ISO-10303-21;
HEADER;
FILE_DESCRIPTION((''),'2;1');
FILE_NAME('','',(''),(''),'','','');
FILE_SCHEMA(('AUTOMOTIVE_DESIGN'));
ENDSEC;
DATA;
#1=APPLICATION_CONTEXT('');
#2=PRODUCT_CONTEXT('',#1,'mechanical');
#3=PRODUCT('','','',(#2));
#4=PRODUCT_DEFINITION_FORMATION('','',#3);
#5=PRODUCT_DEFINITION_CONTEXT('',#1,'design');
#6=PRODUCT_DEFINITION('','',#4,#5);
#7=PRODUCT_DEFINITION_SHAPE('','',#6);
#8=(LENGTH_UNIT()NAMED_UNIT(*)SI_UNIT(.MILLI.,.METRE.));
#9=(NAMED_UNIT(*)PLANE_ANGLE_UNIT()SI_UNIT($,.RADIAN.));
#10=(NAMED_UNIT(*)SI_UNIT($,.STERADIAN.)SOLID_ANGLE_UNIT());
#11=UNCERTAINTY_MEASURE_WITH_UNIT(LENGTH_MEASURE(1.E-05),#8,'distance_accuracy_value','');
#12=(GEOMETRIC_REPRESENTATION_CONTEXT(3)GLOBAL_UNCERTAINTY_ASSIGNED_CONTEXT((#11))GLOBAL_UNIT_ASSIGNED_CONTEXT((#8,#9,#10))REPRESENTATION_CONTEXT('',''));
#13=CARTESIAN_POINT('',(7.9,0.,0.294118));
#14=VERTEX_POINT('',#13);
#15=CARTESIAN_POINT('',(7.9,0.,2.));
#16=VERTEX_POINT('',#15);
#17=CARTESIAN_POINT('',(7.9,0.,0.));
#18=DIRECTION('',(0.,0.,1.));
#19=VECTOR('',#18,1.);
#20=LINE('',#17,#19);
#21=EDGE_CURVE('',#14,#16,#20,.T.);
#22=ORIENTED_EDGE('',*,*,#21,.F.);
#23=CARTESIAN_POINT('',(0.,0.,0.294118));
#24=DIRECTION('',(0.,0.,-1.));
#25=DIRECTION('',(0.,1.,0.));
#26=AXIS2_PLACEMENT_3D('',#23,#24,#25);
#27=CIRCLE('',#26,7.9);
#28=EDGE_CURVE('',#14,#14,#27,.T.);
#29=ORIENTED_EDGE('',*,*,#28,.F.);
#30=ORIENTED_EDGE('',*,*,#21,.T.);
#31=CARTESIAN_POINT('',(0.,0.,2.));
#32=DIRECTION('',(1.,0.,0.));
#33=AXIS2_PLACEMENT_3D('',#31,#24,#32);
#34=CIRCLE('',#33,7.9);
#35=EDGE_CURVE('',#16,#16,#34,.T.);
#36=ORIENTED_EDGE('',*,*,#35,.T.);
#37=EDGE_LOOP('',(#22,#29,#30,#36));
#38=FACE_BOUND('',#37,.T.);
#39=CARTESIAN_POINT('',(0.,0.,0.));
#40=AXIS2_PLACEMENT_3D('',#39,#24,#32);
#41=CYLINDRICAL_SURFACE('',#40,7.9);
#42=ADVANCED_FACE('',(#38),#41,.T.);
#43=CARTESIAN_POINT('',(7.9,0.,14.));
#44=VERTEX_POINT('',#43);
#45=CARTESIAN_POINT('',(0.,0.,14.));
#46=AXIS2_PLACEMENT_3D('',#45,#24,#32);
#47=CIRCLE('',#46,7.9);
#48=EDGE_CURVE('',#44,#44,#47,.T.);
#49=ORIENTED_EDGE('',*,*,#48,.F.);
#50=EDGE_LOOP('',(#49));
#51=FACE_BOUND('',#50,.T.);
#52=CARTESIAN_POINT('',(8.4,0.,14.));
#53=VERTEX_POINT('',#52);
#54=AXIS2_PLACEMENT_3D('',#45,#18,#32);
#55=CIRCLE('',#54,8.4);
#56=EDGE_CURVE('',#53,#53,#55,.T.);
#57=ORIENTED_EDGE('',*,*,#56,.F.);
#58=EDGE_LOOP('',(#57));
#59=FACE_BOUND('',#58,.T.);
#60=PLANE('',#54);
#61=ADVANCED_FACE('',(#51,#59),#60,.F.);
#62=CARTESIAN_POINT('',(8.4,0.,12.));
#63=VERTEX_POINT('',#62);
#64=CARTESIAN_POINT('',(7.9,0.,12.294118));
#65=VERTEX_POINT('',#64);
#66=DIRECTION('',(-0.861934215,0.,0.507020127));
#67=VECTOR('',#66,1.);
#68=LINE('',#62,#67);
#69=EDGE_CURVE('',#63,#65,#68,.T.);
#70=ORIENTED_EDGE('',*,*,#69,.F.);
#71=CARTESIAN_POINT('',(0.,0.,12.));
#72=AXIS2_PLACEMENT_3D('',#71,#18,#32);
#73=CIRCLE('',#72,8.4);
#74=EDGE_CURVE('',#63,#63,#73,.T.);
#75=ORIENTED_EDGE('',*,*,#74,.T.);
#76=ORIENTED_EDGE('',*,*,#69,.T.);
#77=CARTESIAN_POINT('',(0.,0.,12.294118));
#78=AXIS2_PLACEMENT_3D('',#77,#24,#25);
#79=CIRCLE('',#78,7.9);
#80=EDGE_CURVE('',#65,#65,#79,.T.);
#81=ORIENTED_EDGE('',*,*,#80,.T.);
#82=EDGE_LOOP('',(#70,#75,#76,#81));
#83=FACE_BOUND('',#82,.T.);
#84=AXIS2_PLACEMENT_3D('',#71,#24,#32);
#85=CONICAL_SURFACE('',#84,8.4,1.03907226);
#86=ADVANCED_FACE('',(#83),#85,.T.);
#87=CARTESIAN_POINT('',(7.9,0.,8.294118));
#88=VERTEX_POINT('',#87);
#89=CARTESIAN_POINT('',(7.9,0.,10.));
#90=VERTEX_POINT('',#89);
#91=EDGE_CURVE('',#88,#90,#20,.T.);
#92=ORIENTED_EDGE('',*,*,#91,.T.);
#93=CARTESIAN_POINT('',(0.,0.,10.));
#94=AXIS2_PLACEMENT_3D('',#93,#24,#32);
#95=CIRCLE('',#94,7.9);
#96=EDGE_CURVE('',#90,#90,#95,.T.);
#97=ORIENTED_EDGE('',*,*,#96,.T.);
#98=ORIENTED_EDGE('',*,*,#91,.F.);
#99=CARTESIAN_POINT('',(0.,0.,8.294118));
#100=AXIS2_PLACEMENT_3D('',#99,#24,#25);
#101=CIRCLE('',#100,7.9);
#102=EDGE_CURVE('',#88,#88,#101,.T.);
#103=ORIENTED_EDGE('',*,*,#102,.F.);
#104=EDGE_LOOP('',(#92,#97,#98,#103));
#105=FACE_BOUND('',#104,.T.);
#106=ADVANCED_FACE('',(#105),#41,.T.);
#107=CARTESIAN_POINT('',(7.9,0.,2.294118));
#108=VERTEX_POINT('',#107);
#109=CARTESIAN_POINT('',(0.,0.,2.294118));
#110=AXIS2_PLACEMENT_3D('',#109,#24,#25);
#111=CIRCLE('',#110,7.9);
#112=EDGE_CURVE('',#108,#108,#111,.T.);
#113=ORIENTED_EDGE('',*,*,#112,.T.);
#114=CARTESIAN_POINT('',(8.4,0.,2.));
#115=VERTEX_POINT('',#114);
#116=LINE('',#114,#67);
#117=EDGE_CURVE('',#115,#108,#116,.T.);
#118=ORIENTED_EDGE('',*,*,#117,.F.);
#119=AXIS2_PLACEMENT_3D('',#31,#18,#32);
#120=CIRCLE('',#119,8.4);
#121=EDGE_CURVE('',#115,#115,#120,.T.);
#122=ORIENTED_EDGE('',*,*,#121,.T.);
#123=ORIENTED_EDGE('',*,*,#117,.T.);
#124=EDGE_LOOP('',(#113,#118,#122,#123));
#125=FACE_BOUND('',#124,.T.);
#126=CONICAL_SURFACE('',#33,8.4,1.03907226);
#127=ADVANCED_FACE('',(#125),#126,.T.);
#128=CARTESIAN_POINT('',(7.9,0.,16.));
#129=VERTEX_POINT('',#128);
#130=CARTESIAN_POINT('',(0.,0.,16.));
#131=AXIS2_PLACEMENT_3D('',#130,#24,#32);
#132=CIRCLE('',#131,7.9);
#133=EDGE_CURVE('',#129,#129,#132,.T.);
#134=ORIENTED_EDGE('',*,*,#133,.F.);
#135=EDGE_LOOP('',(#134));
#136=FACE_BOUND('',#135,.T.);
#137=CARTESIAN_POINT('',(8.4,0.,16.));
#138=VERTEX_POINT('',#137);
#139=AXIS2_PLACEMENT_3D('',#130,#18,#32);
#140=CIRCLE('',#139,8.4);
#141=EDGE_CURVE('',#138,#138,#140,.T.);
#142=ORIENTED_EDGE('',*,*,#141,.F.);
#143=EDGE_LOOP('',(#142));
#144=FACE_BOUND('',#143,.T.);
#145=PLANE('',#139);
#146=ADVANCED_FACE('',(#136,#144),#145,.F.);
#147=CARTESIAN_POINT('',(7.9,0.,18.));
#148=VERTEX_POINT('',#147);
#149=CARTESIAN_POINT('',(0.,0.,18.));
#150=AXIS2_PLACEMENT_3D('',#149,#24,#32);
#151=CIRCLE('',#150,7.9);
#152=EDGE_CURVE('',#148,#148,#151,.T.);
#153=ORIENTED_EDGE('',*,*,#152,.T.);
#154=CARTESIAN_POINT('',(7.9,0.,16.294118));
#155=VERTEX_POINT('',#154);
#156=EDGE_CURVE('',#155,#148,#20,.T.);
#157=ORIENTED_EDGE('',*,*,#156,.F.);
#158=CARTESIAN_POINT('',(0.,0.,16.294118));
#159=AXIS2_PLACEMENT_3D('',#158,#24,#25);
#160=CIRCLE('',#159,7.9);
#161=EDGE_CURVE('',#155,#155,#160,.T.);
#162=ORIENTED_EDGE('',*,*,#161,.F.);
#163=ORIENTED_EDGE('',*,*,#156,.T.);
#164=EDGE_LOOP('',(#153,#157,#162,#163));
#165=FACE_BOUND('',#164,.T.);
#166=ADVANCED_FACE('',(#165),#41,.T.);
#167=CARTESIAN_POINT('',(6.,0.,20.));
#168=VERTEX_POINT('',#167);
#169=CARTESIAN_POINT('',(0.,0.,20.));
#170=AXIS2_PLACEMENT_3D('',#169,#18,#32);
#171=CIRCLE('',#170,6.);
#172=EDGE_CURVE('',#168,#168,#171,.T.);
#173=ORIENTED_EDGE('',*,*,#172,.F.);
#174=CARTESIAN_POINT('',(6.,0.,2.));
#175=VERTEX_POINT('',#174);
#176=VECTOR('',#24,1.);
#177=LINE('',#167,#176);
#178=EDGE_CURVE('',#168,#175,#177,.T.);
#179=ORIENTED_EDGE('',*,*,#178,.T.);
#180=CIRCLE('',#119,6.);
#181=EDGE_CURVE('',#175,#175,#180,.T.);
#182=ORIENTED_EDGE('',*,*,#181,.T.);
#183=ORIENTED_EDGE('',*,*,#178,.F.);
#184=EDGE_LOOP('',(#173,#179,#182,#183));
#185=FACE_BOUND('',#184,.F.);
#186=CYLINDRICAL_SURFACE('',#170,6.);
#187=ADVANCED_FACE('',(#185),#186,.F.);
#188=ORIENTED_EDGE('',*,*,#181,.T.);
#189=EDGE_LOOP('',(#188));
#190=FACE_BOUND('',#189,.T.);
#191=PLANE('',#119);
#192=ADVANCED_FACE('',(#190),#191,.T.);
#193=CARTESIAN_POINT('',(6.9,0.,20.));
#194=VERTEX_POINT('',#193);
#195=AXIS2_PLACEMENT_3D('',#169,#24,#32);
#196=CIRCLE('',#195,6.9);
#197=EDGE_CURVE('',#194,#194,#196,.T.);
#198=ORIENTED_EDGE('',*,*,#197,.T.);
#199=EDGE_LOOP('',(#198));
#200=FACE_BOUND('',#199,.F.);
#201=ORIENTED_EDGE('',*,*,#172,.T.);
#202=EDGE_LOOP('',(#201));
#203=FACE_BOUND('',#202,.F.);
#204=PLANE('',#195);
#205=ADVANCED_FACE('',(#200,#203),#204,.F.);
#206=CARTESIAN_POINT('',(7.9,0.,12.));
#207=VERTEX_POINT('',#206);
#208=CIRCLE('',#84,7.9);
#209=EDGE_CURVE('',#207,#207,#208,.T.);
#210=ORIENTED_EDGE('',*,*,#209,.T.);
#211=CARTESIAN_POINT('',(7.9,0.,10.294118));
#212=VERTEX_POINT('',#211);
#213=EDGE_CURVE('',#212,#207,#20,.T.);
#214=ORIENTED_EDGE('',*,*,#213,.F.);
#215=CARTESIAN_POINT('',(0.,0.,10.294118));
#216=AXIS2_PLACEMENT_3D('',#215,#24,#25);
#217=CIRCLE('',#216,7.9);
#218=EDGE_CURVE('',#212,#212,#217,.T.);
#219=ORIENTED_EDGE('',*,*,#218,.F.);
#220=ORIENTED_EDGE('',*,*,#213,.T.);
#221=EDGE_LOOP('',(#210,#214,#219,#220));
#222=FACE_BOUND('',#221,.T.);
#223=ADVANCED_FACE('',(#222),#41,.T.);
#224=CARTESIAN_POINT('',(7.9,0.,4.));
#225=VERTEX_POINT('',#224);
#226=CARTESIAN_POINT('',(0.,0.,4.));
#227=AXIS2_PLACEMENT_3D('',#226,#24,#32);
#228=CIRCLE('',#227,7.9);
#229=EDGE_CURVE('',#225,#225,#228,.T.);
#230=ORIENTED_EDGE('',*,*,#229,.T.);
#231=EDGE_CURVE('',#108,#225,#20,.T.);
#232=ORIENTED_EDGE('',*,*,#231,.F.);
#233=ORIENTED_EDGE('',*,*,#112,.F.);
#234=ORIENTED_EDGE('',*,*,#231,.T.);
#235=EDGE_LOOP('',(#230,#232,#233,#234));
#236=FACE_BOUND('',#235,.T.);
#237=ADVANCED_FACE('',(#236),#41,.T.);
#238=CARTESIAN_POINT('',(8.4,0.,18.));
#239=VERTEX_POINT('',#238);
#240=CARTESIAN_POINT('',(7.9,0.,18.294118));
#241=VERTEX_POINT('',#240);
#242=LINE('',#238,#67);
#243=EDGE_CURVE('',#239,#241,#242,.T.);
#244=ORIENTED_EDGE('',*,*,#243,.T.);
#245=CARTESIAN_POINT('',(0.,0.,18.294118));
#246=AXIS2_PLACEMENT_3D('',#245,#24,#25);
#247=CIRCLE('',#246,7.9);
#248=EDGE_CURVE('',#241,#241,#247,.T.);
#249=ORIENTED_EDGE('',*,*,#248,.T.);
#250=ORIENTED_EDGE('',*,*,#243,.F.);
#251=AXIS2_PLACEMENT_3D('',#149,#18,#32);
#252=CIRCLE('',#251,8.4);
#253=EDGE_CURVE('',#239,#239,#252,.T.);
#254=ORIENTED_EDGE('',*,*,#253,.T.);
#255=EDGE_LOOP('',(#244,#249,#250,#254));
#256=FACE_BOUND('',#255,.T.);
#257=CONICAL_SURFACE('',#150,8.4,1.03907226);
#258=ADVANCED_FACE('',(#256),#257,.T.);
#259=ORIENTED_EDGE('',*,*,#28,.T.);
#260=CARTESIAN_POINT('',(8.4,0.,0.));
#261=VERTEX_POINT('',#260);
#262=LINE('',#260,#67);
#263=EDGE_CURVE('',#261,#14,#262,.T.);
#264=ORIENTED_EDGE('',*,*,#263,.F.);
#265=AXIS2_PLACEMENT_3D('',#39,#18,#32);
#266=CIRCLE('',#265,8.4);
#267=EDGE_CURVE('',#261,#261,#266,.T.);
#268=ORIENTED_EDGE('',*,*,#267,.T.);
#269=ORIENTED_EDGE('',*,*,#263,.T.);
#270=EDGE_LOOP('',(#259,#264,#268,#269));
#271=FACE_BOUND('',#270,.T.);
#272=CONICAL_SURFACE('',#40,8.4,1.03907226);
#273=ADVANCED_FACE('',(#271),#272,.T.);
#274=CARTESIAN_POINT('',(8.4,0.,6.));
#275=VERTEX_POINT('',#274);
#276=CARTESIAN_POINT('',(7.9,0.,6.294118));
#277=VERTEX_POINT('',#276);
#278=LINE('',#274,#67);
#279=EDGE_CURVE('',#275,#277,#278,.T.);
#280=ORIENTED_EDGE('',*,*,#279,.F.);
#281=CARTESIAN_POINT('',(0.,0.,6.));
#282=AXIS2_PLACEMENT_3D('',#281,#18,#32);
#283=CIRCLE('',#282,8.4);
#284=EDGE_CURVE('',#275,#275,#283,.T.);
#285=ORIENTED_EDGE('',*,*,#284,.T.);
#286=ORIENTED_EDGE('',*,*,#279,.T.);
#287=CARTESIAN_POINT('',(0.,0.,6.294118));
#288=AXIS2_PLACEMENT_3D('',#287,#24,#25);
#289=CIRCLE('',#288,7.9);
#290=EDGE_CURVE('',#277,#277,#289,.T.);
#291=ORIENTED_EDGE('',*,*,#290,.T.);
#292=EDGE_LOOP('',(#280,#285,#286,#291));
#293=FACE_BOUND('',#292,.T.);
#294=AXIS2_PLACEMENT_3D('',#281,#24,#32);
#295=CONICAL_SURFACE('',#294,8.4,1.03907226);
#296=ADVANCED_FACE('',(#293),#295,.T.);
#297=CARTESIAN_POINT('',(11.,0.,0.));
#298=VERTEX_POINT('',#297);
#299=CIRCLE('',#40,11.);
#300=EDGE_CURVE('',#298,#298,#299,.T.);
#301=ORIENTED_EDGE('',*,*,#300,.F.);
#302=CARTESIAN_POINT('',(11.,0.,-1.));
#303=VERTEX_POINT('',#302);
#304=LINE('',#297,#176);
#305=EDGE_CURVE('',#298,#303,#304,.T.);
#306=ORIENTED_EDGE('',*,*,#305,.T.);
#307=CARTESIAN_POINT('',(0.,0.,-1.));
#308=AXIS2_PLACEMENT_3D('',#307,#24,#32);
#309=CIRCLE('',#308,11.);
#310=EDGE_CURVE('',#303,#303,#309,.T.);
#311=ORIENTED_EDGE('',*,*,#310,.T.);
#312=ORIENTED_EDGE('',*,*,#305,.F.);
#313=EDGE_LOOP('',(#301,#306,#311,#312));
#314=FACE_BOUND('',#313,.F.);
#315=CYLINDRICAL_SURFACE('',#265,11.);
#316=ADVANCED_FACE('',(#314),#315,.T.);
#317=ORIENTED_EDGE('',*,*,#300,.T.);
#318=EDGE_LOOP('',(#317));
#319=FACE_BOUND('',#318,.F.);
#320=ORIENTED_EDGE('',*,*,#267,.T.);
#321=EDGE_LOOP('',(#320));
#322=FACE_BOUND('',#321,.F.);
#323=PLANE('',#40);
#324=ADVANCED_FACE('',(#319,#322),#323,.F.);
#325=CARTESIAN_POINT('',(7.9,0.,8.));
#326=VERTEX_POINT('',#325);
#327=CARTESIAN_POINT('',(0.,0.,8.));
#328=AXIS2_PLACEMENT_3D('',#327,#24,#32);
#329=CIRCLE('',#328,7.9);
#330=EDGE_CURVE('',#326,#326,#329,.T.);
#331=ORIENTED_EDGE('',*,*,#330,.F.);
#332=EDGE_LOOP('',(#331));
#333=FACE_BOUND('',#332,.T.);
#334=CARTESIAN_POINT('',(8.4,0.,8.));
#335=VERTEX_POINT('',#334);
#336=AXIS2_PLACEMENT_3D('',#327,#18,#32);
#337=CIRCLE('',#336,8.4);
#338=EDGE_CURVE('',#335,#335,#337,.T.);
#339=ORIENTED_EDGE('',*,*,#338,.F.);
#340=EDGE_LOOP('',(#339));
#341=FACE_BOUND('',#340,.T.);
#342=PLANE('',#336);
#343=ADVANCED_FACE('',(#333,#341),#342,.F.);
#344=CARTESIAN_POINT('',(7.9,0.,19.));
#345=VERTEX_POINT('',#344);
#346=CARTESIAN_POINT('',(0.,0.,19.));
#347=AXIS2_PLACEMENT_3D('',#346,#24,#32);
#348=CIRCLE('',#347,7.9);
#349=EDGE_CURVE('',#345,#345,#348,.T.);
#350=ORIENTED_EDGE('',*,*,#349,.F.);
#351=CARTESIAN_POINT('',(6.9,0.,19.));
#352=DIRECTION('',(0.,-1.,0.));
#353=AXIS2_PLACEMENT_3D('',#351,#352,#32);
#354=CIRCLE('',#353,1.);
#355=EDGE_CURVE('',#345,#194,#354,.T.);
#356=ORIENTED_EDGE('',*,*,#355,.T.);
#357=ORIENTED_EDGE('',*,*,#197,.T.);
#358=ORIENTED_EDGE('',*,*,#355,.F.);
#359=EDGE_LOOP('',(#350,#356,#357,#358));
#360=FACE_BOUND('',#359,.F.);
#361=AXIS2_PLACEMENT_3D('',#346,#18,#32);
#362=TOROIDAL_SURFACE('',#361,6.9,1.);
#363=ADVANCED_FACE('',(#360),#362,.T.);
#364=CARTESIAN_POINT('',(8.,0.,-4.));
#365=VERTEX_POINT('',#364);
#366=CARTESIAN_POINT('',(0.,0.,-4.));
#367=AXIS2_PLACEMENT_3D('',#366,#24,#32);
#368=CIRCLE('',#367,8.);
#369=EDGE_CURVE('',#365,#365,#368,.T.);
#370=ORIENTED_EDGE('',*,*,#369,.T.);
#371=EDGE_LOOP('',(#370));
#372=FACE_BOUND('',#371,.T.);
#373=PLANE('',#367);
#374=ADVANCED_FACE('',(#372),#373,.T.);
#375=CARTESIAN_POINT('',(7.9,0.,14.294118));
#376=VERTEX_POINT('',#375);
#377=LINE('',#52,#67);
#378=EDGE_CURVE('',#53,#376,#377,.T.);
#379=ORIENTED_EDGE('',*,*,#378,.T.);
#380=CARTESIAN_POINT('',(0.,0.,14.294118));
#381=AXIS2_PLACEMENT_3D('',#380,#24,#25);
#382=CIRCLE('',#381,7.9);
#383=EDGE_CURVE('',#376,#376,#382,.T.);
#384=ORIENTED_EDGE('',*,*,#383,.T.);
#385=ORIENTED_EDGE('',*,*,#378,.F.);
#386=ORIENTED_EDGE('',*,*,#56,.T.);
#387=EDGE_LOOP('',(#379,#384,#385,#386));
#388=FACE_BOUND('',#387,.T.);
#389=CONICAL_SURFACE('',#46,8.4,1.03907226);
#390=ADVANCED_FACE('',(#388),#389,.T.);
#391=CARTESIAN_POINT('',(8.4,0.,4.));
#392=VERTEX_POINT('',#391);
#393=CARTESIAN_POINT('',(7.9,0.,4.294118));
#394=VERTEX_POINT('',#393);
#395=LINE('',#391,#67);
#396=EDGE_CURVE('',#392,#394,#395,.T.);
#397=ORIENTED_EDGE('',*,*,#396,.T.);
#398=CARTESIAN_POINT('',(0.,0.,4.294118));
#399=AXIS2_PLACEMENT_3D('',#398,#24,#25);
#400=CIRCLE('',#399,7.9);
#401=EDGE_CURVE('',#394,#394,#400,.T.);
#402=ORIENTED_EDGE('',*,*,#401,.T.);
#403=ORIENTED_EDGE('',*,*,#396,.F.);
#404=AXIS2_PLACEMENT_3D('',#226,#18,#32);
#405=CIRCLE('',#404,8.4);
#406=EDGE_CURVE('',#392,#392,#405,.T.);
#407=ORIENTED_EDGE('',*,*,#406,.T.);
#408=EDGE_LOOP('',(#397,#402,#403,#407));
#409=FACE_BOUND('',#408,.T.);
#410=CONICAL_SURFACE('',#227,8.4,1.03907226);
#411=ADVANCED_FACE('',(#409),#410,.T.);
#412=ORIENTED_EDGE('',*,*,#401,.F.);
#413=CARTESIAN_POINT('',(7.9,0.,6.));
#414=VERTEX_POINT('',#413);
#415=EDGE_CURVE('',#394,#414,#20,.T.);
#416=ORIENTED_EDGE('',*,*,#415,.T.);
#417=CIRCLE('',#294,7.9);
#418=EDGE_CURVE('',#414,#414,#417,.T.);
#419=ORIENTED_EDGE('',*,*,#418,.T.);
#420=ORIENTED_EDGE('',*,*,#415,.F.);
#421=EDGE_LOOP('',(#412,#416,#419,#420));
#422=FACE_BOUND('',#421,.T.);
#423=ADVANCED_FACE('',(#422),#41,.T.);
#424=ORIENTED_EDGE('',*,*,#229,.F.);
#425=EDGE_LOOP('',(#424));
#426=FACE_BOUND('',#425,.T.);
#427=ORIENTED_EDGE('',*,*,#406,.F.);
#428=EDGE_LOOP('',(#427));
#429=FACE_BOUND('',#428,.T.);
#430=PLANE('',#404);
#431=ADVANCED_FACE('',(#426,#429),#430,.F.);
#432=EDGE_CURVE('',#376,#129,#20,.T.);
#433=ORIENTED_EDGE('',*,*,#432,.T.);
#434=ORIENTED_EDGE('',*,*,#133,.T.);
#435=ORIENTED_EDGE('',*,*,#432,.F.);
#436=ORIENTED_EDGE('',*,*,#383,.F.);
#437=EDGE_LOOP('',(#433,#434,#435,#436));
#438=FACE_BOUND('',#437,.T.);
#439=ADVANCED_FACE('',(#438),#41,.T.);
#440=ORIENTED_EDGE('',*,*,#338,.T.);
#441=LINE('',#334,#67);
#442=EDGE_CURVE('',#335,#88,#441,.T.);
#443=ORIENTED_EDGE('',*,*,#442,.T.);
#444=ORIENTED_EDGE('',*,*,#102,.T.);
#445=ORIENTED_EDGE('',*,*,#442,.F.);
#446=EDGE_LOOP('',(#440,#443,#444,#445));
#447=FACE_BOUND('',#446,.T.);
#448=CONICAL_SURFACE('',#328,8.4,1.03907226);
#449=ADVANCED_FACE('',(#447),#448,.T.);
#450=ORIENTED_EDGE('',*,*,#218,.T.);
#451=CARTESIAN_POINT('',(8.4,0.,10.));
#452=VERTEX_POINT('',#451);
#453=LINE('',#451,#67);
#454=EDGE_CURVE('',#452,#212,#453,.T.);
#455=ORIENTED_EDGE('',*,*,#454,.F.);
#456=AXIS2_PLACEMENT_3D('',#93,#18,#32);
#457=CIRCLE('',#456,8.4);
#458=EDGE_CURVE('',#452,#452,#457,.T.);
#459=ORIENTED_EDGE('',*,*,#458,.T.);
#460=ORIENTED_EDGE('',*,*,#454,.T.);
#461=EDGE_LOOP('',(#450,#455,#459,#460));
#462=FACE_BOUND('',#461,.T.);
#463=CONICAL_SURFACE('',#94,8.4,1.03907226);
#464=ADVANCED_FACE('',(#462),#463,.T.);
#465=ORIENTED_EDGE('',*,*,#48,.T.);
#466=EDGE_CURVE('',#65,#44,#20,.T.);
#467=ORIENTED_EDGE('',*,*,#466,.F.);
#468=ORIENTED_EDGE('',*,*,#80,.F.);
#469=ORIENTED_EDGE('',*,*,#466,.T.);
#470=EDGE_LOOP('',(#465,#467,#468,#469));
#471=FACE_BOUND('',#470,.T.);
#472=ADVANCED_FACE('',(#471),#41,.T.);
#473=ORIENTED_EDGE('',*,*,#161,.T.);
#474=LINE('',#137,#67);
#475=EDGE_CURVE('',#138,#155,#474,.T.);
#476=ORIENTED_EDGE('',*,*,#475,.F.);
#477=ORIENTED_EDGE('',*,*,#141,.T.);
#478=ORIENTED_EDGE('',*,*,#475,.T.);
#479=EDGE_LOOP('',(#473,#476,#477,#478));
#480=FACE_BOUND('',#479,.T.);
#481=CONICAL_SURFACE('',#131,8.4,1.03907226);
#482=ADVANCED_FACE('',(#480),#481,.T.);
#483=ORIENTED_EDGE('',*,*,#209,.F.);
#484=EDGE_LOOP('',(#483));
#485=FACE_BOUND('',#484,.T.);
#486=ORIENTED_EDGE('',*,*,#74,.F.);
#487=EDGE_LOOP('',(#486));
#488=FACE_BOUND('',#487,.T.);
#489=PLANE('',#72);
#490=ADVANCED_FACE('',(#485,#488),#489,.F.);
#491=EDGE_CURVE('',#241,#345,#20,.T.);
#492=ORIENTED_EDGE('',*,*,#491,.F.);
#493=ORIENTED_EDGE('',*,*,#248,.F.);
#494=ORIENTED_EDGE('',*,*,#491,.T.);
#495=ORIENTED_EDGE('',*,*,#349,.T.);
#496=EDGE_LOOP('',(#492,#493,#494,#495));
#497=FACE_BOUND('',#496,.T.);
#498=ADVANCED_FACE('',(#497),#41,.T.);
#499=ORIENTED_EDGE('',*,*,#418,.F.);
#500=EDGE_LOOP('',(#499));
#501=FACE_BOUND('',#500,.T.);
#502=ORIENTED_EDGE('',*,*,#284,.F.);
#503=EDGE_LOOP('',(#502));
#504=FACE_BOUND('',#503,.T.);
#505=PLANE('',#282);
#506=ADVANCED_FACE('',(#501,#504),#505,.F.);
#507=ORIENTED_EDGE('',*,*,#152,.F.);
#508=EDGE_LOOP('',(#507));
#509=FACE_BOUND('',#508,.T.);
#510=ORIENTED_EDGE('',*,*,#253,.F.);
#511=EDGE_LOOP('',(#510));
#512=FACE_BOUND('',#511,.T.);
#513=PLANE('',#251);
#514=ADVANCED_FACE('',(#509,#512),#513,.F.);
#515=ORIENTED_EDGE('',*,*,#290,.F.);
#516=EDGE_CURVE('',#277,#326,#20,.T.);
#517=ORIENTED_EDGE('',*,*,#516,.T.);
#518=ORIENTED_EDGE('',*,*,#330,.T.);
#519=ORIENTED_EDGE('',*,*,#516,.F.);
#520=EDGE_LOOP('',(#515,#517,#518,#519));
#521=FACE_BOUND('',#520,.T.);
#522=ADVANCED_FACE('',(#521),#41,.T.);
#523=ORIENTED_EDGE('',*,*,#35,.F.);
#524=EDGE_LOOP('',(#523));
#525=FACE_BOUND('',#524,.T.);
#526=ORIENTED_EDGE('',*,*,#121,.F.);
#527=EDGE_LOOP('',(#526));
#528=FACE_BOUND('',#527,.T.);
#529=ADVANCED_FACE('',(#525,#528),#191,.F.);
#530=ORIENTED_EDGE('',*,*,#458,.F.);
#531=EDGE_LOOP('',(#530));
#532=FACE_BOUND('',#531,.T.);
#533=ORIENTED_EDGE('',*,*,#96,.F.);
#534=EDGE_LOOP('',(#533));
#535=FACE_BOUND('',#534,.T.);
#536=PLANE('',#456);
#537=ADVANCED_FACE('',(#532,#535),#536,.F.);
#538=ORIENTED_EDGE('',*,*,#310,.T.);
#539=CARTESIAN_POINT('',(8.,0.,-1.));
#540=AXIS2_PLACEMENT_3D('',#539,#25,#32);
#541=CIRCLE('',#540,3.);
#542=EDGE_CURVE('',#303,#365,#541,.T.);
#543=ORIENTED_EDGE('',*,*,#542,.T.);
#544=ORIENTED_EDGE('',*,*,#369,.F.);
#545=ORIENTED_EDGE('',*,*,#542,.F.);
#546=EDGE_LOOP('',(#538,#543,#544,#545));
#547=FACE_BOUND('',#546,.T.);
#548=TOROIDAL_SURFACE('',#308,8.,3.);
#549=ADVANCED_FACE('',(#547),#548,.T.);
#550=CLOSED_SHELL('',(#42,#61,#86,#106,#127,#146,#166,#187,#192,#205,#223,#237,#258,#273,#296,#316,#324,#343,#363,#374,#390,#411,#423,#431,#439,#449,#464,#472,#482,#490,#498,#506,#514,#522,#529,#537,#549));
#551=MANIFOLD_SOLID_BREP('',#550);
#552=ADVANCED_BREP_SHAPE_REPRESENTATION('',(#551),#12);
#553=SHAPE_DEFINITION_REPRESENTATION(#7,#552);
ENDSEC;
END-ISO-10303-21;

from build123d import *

# Parameters (mm, degrees)
LINEARPATTERN_COUNT = 10
LINEARPATTERN_PITCH = 2
SKETCH_R            = 7.9
PAD_DEPTH           = 20
SKETCH001_R         = 11
PAD001_DEPTH        = 4
FILLET_R            = 3
SKETCH002_R         = 6
POCKET_DEPTH        = 18
FILLET001_R         = 1


with BuildPart() as part:
    # Cone → Cone (revolve)
    with BuildSketch(Plane.XZ):
        Polygon((0, 0), (8.4, 0), (5, 2), (0, 2), align=None)
    cone = revolve(axis=Axis((0, 0, 0), (0, 0, 1)))

    # LinearPattern: Cone ×10
    with Locations(*[(0, 0, i * LINEARPATTERN_PITCH) for i in range(1, LINEARPATTERN_COUNT)]):
        add(cone)

    # Sketch (on Face21 of LinearPattern) → Pad (new body)
    with BuildSketch(Plane(origin=(0, 0, 0), x_dir=(1, 0, 0), z_dir=(0, 0, -1))):
        Circle(SKETCH_R)
    extrude(amount=-PAD_DEPTH)

    # Sketch001 (on Face33 of Pad) → Pad001 (join)
    with BuildSketch(Plane(origin=(0, 0, 0), x_dir=(1, 0, 0), z_dir=(0, 0, -1))):
        Circle(SKETCH001_R)
    extrude(amount=PAD001_DEPTH)

    # Fillet
    fillet_edges = [part.edges().sort_by_distance(p)[0] for p in [
        (-11, 0, -4),
    ]]
    fillet(fillet_edges, radius=FILLET_R)

    # Sketch002 (on Face34 of Fillet) → Pocket (cut)
    with BuildSketch(Plane.XY.offset(20)):
        Circle(SKETCH002_R)
    extrude(amount=-POCKET_DEPTH, mode=Mode.SUBTRACT)

    # Fillet001
    fillet001_edges = [part.edges().sort_by_distance(p)[0] for p in [
        (-7.9, 0, 20),
    ]]
    fillet(fillet001_edges, radius=FILLET001_R)


solid = part.part
